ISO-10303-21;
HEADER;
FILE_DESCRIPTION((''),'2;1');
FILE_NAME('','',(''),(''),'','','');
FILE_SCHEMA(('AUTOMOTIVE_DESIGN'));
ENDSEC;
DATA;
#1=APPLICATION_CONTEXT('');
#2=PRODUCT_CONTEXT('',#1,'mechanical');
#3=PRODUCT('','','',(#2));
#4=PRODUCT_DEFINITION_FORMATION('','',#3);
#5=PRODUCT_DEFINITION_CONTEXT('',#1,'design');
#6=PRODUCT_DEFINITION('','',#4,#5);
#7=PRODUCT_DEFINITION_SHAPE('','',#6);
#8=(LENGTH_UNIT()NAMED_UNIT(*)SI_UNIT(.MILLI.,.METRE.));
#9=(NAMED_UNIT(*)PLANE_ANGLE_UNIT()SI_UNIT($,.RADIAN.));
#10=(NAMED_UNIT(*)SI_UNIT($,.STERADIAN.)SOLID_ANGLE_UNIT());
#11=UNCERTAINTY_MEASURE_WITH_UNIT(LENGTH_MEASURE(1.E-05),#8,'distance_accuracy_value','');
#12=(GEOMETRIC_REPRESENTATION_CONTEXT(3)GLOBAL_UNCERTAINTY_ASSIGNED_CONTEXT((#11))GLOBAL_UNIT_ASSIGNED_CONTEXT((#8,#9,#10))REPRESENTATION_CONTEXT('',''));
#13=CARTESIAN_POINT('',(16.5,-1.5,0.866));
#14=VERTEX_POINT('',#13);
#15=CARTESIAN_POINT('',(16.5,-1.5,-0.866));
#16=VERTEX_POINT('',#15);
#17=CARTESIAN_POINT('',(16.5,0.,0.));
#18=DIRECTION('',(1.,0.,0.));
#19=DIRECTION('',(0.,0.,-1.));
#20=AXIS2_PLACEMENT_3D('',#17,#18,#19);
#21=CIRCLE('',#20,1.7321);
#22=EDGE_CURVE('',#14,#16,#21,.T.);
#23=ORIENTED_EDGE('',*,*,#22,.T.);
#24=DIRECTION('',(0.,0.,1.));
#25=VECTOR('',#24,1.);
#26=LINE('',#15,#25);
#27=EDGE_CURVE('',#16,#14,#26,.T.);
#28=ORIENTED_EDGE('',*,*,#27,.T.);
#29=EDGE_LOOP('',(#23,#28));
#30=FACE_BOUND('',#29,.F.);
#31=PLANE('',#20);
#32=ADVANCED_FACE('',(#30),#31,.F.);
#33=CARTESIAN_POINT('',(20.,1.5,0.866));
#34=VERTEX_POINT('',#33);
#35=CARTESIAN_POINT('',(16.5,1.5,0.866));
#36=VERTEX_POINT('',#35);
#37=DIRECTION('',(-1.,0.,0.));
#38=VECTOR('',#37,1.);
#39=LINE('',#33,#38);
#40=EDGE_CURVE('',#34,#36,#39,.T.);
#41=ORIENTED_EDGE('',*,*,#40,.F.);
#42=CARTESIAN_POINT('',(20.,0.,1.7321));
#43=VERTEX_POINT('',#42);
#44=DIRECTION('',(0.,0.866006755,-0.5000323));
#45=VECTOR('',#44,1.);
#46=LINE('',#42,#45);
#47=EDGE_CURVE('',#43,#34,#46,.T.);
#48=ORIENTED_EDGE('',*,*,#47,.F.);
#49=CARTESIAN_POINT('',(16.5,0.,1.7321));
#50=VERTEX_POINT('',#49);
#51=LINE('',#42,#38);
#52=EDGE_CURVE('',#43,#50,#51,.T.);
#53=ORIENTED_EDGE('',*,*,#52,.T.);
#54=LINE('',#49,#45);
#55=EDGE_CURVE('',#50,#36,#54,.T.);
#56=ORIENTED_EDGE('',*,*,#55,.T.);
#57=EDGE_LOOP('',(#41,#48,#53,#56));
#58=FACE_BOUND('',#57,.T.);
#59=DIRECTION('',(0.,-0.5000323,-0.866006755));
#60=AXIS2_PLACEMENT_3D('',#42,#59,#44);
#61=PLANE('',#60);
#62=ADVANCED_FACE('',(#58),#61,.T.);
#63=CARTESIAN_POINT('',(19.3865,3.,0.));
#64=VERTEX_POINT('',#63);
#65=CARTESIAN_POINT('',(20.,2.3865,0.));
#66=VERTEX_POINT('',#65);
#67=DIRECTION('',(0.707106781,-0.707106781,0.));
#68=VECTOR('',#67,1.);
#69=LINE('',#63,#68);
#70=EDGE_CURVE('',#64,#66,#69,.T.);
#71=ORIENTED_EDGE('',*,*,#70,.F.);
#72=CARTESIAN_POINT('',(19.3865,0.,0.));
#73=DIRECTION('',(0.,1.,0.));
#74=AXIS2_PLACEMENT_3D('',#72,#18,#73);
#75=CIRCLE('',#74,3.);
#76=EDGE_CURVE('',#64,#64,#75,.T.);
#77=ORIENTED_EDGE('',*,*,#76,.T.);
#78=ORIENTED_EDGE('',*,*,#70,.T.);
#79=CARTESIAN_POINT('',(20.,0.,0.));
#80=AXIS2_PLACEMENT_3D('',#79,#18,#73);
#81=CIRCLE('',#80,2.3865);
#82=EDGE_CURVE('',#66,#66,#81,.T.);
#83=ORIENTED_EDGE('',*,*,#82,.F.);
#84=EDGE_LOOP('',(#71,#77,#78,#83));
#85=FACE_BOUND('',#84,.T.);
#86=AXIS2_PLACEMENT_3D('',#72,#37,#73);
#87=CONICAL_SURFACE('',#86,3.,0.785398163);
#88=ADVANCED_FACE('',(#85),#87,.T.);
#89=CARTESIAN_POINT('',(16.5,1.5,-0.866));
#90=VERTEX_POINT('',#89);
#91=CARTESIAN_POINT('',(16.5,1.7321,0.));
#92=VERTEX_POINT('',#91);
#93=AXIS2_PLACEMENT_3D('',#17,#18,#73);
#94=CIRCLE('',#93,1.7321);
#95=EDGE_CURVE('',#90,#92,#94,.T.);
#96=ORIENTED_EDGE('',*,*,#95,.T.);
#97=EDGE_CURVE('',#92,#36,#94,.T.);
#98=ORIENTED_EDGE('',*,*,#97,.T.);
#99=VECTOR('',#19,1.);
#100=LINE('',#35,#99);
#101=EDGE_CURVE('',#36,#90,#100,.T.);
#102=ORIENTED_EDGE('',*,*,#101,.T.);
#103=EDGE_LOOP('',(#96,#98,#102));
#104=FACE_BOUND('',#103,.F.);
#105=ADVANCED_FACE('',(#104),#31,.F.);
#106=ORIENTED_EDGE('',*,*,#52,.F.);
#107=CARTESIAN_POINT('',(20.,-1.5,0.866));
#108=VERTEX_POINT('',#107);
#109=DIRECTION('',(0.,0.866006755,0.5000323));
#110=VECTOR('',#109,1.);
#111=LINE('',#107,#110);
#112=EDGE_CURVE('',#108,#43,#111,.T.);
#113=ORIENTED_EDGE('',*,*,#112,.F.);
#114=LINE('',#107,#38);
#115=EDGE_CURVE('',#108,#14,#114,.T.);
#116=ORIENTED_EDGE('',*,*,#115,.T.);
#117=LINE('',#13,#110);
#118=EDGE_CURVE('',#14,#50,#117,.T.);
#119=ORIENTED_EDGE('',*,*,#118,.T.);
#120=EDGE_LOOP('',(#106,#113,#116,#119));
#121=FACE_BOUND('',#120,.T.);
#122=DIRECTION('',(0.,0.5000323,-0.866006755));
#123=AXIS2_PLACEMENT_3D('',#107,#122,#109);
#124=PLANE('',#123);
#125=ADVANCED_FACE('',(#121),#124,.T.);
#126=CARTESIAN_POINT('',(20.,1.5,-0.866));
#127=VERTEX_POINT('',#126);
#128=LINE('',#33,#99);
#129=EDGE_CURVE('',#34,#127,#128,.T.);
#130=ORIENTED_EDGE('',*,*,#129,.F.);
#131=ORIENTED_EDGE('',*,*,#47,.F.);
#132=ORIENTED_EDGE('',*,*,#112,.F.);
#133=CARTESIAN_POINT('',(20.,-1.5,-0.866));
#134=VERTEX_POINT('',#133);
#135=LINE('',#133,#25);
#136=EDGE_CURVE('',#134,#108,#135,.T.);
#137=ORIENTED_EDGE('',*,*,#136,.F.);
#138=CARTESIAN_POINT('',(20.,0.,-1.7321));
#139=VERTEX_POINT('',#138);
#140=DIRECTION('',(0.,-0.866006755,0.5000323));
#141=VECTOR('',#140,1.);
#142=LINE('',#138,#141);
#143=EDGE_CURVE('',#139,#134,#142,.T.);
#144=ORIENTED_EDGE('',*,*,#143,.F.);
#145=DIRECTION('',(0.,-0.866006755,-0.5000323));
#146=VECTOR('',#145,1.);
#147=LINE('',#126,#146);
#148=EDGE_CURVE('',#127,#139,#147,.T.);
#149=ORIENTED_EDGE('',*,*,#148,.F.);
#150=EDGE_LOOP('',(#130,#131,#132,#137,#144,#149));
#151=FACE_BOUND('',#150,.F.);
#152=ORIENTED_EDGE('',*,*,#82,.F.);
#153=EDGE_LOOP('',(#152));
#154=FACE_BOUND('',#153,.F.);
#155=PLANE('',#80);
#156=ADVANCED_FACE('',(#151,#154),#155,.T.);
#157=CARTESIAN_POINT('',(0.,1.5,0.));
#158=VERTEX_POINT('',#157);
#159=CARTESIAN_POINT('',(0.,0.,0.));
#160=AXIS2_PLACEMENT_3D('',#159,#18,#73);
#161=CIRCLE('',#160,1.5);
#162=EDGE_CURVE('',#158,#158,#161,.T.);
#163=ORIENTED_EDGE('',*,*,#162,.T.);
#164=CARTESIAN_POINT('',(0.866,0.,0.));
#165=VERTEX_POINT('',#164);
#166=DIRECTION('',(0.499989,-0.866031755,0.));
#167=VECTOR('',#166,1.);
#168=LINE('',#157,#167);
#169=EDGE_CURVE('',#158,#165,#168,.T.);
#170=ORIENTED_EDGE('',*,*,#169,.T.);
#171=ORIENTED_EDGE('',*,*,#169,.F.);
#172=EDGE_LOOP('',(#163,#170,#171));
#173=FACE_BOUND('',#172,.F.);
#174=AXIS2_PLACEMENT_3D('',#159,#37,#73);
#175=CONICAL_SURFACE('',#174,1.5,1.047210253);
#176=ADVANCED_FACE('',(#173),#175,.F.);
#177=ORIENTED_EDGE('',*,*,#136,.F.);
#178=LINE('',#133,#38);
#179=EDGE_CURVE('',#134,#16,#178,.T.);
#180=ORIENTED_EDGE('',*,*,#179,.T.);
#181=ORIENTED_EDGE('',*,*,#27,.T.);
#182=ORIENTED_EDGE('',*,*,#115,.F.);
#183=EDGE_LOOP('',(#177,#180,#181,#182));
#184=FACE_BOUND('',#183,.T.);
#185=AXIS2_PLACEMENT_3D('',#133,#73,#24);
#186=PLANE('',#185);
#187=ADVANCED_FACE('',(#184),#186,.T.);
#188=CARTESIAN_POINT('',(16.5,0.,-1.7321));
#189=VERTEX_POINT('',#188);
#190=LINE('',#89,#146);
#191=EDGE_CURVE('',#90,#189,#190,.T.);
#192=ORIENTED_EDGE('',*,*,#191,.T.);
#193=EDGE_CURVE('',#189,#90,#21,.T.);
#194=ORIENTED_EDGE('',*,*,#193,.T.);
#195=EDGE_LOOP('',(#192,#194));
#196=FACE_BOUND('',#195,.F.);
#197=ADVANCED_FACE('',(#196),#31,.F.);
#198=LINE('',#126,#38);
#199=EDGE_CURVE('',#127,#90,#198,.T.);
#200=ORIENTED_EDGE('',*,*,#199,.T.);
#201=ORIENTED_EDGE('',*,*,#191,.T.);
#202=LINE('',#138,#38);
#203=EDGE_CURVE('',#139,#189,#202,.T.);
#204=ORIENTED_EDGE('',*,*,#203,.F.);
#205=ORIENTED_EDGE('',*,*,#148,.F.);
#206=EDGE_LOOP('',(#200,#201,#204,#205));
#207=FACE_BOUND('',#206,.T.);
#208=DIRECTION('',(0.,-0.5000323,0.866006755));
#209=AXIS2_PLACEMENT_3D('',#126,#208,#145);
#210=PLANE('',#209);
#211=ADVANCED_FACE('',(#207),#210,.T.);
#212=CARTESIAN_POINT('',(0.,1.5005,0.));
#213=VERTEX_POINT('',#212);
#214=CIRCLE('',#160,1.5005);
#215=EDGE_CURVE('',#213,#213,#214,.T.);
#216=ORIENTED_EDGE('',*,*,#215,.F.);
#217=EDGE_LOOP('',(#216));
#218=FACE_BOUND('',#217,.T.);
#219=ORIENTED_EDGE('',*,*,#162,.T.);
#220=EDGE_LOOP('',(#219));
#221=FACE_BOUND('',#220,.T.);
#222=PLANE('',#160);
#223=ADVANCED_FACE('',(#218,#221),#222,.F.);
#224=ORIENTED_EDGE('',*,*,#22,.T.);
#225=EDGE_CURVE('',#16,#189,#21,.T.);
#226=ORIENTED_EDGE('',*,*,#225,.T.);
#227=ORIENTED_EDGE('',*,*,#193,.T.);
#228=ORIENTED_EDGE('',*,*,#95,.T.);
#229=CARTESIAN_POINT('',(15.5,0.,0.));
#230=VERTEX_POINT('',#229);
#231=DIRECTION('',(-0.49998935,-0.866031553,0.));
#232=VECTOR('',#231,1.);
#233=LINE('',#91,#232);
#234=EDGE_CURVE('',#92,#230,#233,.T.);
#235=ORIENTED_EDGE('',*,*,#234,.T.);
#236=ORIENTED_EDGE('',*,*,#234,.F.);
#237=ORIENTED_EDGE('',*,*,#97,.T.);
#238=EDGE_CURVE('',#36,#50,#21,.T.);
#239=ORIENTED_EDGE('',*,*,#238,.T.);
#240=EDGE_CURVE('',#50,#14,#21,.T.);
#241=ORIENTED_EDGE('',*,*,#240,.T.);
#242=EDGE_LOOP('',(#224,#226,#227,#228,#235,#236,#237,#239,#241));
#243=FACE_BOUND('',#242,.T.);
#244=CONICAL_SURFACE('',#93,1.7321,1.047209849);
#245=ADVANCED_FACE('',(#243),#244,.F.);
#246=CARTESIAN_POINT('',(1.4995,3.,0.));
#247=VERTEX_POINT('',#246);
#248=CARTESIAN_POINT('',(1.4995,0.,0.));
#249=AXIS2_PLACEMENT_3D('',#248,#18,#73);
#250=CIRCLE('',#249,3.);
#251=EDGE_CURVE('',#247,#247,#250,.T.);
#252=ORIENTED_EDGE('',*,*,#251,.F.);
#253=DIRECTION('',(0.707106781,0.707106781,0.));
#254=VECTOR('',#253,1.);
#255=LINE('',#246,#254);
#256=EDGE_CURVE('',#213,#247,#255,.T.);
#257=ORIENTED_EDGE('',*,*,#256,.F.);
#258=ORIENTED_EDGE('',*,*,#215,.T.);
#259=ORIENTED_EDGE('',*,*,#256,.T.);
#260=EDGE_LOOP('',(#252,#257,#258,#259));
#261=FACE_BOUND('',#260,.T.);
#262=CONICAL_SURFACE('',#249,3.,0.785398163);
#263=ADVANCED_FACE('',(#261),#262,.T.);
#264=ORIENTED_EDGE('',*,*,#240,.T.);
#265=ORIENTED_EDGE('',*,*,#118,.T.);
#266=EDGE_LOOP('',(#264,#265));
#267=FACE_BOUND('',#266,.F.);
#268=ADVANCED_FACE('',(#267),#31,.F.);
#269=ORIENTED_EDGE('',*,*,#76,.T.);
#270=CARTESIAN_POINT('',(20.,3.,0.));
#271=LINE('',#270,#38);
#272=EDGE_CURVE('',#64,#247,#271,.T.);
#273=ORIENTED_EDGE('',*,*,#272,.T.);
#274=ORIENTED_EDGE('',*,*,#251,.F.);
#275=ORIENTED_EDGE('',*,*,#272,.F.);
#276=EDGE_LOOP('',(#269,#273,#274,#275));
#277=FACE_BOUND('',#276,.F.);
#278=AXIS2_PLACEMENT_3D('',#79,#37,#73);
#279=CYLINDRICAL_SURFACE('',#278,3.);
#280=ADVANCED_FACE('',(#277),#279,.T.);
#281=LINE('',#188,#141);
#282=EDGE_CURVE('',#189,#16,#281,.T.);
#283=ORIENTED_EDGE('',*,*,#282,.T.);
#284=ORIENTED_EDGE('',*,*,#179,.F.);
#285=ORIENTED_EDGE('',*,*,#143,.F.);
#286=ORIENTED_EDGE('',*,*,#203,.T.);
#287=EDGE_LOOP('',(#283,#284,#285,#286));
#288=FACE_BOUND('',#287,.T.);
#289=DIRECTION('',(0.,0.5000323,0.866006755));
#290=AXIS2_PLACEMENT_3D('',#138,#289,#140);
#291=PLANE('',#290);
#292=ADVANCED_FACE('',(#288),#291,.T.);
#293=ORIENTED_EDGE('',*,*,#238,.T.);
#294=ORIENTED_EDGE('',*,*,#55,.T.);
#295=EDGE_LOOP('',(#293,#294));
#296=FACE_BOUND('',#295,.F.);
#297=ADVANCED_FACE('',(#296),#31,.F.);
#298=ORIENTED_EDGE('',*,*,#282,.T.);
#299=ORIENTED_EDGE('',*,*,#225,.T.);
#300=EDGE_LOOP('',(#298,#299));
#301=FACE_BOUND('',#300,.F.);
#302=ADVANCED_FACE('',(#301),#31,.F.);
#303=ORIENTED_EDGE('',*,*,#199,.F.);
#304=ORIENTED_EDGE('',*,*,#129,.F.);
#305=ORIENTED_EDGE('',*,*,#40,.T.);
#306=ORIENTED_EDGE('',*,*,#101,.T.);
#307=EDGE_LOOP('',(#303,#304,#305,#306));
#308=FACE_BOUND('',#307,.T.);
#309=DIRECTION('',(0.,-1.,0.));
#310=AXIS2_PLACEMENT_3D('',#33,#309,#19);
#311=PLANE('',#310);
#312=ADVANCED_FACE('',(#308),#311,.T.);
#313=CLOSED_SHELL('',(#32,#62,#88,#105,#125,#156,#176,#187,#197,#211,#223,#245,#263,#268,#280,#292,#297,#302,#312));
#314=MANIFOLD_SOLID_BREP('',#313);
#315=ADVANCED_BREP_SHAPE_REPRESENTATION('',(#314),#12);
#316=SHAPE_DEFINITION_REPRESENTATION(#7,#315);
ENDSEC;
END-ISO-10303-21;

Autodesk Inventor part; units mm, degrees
ref_plane "YZ Plane" through (0, 0, 0) normal (1, 0, 0) x (0, 1, 0)
ref_plane "XZ Plane" through (0, 0, 0) normal (0, 1, 0) x (-1, 0, 0)
sketch "Skizze1" plane through (0, 0, 0) normal (0, 0, 1) x (1, 0, 0)
  line L0 (0.866, 0) -> (15.5, 0)
  line L1 (20, 1.7321) -> (20, 3)
  line L2 (20, 3) -> (0, 3)
  line L3 (20, 1.7321) -> (16.5, 1.7321)
  line L4 (16.5, 1.7321) -> (15.5, 0)
  line L5 (0, 1.5) -> (0.866, 0)
  line L6 (0, -0.6) -> (0, 3.6) projected
  line L7 (0, 1.5) -> (0, 3)
  point P0 (0, 0)
  dimension "d0" = 3.5
  dimension "d1" = 60
  dimension "d2" = 6
  dimension "d3" = 3.4641
  dimension "d4" = 20
  dimension "d5" = 60
  dimension "d7" = 3
revolve "Körper" add sketch "Skizze1" angle 360 about axis through (0.866, 0, 0) along (1, 0, 0)
sketch "Skizze2" plane through (20, 0, 0) normal (1, 0, 0) x (0, 0, -1)
  circle A0 centre (0, 0) radius 1.7321 projected
  circle A1 centre (0, 0) radius 3 projected
  line L0 (1.7321, 0) -> (0.866, -1.5)
  line L1 (0.866, -1.5) -> (-0.866, -1.5)
  line L2 (-0.866, -1.5) -> (-1.7321, 0)
  line L3 (-1.7321, 0) -> (-0.866, 1.5)
  line L4 (-0.866, 1.5) -> (0.866, 1.5)
  line L5 (0.866, 1.5) -> (1.7321, 0)
extrude "Loch" add sketch "Skizze2" against normal blind 3.5 contours L5 A0 | A0 L0 | L4 A0 | A0 L1 | L3 A0 | A0 L2
chamfer "Fase1" distance 1.5 angle 45 1 edges at (0, -3, 0) measured on face at (0, 2.4709, -0.2393)
thread "Gewinde" size "M6x1" class "6g" standard "ISO Metric profile" length 20
chamfer "Fase2" distance 0.6135 angle 45 1 edges at (20, -3, 0) measured on face at (13.8332, 2.9612, -0.4812)
ref_plane "Work Plane1" through (10, 0, 0) normal (0, -0.5, -0.866) x (1, 0, 0)
equation "\"d0\" = INTI"
equation "\"d2\" = NND"
equation "\"d3\" = 1.1547 * SW"
equation "\"d4\" = NLG"
equation "\"d5\" = 0.5 * ANG"
equation "\"d7\" = SPD"
equation "\"d8\" = INTI"
equation "\"d10\" = -0.5 * SPD + 0.5 * NND"
equation "\"d11\" = FAWI"
equation "\"d33\" = -0.5 * SPD + 0.5 * NND"
equation "\"d14\" = NLG"
equation "\"d12\" = -0.5 * GD1 + 0.5 * NND"
equation "\"d13\" = FAWI"
equation "\"d34\" = -0.5 * GD1 + 0.5 * NND"
equation "\"NND\" = 6"
equation "\"NLG\" = 20"
equation "\"INTI\" = 3.5"
equation "\"FAWI\" = 45deg"
equation "\"SW\" = 3"
equation "\"GD1\" = THREADDIA - 1.2269 * PTC"
equation "\"ANG\" = 120deg"
equation "\"FAWI1\" = 45deg"
equation "\"SPD\" = 3"
equation "\"GUL\" = 0.61345 * PTC"
equation "\"TOA\" = 30deg"
equation "\"THREADDIA\" = 6"
equation "\"PTC\" = 1"
equation "\"GAL\" = 0.61345 * PTC"
equation "\"E0\" = 1.155 * SW"
properties part number "ISO 4029 - M6 x 20" material "Edelstahl, 440C"
